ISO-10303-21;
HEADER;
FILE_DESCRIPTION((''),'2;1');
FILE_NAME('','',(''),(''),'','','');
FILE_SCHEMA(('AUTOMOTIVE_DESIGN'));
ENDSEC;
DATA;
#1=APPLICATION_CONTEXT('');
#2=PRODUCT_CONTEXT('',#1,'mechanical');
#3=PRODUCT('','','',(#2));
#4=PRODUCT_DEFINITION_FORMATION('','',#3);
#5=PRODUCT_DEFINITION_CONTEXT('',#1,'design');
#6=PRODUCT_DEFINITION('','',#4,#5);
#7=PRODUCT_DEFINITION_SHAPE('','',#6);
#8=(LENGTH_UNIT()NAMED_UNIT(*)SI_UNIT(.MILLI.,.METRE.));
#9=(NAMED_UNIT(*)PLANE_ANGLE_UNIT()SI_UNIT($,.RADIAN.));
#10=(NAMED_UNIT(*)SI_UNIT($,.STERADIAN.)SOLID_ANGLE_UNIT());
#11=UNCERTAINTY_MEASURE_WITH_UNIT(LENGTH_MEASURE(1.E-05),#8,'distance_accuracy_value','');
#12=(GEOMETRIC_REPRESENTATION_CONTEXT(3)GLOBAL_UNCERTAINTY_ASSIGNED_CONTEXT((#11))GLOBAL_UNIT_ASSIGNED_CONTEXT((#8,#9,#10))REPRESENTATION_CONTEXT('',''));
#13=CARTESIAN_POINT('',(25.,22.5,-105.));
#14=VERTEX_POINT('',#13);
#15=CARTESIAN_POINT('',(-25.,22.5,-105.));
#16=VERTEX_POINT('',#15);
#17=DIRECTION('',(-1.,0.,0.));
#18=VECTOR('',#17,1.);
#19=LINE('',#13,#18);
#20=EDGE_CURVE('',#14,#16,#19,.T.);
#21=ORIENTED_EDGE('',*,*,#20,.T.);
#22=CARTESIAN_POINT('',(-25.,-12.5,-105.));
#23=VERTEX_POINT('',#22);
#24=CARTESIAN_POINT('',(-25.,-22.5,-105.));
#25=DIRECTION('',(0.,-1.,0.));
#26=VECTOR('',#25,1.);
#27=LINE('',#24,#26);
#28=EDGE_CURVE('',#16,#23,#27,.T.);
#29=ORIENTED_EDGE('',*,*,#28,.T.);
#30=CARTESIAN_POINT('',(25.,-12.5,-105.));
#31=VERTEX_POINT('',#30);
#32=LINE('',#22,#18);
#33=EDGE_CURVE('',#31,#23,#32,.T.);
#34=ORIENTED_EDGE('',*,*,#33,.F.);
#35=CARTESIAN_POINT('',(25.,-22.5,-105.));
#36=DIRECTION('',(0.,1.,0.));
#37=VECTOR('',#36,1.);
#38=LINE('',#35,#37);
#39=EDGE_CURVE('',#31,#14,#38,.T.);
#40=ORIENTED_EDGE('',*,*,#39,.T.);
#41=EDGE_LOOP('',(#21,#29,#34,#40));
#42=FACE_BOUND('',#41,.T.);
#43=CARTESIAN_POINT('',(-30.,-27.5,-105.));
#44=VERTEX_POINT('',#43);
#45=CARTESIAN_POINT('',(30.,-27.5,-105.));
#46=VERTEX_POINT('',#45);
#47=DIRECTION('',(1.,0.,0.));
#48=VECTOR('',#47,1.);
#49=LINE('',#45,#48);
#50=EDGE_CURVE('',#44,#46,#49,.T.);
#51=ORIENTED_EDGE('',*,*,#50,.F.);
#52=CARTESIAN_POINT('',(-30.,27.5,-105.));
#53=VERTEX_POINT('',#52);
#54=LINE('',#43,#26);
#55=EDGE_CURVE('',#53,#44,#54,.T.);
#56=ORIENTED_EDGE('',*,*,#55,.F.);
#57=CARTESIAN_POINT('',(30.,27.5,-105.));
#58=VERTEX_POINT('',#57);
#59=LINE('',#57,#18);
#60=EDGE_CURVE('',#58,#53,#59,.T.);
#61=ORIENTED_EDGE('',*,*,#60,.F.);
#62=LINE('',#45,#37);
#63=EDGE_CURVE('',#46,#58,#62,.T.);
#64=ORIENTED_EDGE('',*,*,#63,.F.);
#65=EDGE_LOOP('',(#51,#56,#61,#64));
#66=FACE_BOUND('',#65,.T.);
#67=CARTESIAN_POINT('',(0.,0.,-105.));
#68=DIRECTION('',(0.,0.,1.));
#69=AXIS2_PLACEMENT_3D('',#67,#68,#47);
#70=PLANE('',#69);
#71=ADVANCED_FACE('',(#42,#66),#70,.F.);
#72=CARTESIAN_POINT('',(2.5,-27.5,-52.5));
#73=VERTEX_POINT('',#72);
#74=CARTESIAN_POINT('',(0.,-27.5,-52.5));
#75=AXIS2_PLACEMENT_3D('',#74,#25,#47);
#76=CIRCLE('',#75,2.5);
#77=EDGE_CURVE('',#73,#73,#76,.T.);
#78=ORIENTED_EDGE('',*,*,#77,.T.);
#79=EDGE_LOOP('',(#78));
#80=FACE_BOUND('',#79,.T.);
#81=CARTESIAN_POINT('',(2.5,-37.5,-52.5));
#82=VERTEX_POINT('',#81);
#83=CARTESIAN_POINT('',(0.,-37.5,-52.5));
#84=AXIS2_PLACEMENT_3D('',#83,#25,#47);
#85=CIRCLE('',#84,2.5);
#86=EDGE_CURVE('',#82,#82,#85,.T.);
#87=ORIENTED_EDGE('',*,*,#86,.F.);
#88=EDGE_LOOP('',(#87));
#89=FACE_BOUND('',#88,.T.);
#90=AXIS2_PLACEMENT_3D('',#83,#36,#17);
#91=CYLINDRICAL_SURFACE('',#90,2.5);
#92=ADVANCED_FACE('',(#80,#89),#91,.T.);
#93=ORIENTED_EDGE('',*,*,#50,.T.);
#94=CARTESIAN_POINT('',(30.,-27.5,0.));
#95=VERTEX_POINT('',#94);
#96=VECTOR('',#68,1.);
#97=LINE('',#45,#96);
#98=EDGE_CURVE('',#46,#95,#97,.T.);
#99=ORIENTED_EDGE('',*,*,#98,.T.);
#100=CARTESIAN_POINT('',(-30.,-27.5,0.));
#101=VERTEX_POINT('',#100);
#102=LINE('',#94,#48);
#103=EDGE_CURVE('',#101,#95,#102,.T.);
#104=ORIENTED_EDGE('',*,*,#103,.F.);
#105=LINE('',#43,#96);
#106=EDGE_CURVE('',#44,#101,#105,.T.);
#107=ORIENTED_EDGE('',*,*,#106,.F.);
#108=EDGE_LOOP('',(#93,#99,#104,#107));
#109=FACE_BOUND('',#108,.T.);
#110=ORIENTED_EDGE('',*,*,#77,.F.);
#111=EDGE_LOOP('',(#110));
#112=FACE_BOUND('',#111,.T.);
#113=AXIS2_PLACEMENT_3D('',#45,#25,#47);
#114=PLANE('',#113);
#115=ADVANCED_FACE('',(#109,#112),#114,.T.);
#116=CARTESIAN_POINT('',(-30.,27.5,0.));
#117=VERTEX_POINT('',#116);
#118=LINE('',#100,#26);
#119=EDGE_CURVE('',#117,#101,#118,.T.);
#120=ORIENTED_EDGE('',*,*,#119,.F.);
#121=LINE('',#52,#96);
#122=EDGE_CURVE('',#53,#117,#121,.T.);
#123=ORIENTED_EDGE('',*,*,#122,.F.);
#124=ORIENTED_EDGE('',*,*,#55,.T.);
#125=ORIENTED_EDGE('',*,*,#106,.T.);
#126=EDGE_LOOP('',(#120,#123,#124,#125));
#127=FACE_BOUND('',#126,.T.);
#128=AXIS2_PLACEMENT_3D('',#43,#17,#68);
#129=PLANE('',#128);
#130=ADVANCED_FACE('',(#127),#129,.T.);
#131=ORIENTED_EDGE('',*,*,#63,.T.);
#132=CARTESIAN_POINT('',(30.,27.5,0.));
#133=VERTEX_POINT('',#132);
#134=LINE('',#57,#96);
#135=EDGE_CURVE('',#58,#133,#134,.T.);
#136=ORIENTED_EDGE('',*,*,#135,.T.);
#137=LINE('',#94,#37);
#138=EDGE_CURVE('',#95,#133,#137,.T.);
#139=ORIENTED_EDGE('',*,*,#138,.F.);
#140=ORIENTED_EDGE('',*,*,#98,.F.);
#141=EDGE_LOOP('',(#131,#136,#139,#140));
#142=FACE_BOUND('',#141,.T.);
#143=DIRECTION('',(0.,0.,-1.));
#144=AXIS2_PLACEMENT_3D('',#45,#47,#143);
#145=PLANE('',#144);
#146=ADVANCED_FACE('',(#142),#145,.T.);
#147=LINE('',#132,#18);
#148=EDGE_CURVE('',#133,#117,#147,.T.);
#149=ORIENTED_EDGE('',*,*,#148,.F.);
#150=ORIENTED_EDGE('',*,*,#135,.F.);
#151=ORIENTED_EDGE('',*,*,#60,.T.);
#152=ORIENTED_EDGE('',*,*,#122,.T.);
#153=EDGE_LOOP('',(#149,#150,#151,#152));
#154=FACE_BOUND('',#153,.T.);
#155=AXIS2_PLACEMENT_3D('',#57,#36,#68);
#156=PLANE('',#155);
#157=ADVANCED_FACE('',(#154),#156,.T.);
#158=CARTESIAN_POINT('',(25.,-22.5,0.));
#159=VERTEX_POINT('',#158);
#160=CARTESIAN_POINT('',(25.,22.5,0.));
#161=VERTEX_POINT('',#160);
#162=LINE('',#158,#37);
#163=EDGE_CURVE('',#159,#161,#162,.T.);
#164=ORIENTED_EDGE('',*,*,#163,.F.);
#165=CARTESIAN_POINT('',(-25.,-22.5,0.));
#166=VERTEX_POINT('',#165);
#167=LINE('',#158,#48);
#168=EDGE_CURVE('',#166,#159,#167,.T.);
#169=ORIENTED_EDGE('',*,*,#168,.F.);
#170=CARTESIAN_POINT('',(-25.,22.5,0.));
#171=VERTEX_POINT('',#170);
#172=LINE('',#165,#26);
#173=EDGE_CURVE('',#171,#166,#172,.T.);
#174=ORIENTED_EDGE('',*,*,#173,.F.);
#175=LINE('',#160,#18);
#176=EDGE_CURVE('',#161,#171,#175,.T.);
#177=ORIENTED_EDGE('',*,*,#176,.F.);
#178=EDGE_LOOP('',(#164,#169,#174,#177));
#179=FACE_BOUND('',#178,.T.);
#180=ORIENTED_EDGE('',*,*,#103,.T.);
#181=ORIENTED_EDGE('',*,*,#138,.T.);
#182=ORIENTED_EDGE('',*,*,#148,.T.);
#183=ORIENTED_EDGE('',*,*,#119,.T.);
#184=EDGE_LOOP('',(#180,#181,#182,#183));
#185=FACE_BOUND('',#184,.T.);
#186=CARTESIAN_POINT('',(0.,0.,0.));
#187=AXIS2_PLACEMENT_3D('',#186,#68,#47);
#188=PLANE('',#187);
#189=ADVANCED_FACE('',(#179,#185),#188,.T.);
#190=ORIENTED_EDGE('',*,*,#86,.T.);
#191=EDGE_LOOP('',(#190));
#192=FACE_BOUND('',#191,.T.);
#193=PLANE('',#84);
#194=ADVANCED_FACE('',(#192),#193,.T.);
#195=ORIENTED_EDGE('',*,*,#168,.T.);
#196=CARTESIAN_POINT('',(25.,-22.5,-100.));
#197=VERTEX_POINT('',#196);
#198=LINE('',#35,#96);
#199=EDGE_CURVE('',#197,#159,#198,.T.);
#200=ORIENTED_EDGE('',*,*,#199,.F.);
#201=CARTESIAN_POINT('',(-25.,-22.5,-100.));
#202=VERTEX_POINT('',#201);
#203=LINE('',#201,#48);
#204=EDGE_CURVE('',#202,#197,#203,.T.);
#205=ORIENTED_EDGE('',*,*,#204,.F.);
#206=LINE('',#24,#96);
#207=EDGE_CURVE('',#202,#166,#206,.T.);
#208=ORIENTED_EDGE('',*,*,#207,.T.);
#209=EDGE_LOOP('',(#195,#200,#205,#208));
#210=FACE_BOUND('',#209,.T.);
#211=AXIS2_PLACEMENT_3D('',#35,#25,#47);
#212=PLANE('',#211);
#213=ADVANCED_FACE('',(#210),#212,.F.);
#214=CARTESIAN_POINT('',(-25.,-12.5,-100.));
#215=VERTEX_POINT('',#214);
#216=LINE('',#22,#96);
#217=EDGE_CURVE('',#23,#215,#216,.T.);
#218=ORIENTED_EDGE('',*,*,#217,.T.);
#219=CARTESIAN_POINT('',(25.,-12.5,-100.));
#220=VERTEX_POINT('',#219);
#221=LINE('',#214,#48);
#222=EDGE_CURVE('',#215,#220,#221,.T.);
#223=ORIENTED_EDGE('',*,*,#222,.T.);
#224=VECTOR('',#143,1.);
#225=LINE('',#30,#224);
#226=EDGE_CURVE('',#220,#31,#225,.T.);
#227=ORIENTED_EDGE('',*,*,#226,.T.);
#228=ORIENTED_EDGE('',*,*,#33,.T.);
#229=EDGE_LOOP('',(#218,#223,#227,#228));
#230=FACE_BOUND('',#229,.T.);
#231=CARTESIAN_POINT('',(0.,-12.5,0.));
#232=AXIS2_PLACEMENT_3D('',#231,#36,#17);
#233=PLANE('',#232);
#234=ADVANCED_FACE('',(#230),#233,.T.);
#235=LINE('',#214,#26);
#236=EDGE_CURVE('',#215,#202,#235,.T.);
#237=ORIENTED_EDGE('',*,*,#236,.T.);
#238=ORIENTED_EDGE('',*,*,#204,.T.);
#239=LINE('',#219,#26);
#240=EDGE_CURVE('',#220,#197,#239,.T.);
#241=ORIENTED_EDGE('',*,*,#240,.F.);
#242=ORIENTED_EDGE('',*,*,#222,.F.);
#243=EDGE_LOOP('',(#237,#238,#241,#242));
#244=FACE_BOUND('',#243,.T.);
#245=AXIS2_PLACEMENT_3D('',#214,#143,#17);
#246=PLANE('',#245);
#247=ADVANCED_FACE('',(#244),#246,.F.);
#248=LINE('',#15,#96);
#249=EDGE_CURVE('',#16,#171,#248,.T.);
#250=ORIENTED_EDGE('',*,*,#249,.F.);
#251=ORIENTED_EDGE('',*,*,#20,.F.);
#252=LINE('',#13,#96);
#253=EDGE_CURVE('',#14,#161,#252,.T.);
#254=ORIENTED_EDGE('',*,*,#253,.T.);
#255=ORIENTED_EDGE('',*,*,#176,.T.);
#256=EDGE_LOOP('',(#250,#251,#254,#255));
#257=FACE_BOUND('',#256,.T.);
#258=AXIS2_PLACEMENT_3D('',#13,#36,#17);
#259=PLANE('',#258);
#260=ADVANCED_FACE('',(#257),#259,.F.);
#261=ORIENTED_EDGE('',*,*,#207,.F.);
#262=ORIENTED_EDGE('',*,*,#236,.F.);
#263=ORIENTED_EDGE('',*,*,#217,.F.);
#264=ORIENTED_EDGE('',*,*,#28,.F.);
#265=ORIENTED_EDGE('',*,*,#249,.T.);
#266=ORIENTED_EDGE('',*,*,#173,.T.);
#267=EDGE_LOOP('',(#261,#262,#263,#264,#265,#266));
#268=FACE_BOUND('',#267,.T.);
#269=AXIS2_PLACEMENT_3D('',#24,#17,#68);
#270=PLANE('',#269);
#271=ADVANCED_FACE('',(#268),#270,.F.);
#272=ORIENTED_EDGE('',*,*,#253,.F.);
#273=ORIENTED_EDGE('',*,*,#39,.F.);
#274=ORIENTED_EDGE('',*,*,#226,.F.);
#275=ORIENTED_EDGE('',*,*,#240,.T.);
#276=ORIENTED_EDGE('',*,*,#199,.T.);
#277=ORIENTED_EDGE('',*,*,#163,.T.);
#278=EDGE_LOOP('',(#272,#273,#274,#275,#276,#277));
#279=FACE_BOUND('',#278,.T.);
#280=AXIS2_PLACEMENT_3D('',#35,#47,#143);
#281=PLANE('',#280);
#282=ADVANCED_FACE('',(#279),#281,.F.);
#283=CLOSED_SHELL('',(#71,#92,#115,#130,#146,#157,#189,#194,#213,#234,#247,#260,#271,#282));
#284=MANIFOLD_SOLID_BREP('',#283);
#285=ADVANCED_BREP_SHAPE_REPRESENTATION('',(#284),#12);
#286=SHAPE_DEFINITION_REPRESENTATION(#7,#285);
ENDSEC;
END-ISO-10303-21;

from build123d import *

# Parameters (mm, degrees)
SKETCH3_W           = 60
SKETCH3_H           = 55
SKETCH3_W_2         = 50
SKETCH3_H_2         = 45
BOSS_EXTRUDE1_DEPTH = 105
SKETCH6_W           = 50
SKETCH6_H           = 5
BOSS_EXTRUDE3_DEPTH = 10
SKETCH7_R           = 2.5
BOSS_EXTRUDE4_DEPTH = 10


with BuildPart() as part:
    # Sketch3 → Boss-Extrude1 (new body)
    with BuildSketch(Plane.XY):
        Rectangle(SKETCH3_W, SKETCH3_H)
        Rectangle(SKETCH3_W_2, SKETCH3_H_2, mode=Mode.SUBTRACT)
    extrude(amount=-BOSS_EXTRUDE1_DEPTH)

    # Sketch6 → Boss-Extrude3 (add)
    with BuildSketch(Plane(origin=(0, -22.5, 0), x_dir=(1, 0, 0), z_dir=(0, 1, 0))):
        with Locations((0, 102.5)):
            Rectangle(SKETCH6_W, SKETCH6_H)
    extrude(amount=BOSS_EXTRUDE3_DEPTH)

    # Sketch7 → Boss-Extrude4 (add)
    with BuildSketch(Plane.XZ.offset(27.5)):
        with Locations((0, -52.5)):
            Circle(SKETCH7_R)
    extrude(amount=BOSS_EXTRUDE4_DEPTH)


solid = part.part
